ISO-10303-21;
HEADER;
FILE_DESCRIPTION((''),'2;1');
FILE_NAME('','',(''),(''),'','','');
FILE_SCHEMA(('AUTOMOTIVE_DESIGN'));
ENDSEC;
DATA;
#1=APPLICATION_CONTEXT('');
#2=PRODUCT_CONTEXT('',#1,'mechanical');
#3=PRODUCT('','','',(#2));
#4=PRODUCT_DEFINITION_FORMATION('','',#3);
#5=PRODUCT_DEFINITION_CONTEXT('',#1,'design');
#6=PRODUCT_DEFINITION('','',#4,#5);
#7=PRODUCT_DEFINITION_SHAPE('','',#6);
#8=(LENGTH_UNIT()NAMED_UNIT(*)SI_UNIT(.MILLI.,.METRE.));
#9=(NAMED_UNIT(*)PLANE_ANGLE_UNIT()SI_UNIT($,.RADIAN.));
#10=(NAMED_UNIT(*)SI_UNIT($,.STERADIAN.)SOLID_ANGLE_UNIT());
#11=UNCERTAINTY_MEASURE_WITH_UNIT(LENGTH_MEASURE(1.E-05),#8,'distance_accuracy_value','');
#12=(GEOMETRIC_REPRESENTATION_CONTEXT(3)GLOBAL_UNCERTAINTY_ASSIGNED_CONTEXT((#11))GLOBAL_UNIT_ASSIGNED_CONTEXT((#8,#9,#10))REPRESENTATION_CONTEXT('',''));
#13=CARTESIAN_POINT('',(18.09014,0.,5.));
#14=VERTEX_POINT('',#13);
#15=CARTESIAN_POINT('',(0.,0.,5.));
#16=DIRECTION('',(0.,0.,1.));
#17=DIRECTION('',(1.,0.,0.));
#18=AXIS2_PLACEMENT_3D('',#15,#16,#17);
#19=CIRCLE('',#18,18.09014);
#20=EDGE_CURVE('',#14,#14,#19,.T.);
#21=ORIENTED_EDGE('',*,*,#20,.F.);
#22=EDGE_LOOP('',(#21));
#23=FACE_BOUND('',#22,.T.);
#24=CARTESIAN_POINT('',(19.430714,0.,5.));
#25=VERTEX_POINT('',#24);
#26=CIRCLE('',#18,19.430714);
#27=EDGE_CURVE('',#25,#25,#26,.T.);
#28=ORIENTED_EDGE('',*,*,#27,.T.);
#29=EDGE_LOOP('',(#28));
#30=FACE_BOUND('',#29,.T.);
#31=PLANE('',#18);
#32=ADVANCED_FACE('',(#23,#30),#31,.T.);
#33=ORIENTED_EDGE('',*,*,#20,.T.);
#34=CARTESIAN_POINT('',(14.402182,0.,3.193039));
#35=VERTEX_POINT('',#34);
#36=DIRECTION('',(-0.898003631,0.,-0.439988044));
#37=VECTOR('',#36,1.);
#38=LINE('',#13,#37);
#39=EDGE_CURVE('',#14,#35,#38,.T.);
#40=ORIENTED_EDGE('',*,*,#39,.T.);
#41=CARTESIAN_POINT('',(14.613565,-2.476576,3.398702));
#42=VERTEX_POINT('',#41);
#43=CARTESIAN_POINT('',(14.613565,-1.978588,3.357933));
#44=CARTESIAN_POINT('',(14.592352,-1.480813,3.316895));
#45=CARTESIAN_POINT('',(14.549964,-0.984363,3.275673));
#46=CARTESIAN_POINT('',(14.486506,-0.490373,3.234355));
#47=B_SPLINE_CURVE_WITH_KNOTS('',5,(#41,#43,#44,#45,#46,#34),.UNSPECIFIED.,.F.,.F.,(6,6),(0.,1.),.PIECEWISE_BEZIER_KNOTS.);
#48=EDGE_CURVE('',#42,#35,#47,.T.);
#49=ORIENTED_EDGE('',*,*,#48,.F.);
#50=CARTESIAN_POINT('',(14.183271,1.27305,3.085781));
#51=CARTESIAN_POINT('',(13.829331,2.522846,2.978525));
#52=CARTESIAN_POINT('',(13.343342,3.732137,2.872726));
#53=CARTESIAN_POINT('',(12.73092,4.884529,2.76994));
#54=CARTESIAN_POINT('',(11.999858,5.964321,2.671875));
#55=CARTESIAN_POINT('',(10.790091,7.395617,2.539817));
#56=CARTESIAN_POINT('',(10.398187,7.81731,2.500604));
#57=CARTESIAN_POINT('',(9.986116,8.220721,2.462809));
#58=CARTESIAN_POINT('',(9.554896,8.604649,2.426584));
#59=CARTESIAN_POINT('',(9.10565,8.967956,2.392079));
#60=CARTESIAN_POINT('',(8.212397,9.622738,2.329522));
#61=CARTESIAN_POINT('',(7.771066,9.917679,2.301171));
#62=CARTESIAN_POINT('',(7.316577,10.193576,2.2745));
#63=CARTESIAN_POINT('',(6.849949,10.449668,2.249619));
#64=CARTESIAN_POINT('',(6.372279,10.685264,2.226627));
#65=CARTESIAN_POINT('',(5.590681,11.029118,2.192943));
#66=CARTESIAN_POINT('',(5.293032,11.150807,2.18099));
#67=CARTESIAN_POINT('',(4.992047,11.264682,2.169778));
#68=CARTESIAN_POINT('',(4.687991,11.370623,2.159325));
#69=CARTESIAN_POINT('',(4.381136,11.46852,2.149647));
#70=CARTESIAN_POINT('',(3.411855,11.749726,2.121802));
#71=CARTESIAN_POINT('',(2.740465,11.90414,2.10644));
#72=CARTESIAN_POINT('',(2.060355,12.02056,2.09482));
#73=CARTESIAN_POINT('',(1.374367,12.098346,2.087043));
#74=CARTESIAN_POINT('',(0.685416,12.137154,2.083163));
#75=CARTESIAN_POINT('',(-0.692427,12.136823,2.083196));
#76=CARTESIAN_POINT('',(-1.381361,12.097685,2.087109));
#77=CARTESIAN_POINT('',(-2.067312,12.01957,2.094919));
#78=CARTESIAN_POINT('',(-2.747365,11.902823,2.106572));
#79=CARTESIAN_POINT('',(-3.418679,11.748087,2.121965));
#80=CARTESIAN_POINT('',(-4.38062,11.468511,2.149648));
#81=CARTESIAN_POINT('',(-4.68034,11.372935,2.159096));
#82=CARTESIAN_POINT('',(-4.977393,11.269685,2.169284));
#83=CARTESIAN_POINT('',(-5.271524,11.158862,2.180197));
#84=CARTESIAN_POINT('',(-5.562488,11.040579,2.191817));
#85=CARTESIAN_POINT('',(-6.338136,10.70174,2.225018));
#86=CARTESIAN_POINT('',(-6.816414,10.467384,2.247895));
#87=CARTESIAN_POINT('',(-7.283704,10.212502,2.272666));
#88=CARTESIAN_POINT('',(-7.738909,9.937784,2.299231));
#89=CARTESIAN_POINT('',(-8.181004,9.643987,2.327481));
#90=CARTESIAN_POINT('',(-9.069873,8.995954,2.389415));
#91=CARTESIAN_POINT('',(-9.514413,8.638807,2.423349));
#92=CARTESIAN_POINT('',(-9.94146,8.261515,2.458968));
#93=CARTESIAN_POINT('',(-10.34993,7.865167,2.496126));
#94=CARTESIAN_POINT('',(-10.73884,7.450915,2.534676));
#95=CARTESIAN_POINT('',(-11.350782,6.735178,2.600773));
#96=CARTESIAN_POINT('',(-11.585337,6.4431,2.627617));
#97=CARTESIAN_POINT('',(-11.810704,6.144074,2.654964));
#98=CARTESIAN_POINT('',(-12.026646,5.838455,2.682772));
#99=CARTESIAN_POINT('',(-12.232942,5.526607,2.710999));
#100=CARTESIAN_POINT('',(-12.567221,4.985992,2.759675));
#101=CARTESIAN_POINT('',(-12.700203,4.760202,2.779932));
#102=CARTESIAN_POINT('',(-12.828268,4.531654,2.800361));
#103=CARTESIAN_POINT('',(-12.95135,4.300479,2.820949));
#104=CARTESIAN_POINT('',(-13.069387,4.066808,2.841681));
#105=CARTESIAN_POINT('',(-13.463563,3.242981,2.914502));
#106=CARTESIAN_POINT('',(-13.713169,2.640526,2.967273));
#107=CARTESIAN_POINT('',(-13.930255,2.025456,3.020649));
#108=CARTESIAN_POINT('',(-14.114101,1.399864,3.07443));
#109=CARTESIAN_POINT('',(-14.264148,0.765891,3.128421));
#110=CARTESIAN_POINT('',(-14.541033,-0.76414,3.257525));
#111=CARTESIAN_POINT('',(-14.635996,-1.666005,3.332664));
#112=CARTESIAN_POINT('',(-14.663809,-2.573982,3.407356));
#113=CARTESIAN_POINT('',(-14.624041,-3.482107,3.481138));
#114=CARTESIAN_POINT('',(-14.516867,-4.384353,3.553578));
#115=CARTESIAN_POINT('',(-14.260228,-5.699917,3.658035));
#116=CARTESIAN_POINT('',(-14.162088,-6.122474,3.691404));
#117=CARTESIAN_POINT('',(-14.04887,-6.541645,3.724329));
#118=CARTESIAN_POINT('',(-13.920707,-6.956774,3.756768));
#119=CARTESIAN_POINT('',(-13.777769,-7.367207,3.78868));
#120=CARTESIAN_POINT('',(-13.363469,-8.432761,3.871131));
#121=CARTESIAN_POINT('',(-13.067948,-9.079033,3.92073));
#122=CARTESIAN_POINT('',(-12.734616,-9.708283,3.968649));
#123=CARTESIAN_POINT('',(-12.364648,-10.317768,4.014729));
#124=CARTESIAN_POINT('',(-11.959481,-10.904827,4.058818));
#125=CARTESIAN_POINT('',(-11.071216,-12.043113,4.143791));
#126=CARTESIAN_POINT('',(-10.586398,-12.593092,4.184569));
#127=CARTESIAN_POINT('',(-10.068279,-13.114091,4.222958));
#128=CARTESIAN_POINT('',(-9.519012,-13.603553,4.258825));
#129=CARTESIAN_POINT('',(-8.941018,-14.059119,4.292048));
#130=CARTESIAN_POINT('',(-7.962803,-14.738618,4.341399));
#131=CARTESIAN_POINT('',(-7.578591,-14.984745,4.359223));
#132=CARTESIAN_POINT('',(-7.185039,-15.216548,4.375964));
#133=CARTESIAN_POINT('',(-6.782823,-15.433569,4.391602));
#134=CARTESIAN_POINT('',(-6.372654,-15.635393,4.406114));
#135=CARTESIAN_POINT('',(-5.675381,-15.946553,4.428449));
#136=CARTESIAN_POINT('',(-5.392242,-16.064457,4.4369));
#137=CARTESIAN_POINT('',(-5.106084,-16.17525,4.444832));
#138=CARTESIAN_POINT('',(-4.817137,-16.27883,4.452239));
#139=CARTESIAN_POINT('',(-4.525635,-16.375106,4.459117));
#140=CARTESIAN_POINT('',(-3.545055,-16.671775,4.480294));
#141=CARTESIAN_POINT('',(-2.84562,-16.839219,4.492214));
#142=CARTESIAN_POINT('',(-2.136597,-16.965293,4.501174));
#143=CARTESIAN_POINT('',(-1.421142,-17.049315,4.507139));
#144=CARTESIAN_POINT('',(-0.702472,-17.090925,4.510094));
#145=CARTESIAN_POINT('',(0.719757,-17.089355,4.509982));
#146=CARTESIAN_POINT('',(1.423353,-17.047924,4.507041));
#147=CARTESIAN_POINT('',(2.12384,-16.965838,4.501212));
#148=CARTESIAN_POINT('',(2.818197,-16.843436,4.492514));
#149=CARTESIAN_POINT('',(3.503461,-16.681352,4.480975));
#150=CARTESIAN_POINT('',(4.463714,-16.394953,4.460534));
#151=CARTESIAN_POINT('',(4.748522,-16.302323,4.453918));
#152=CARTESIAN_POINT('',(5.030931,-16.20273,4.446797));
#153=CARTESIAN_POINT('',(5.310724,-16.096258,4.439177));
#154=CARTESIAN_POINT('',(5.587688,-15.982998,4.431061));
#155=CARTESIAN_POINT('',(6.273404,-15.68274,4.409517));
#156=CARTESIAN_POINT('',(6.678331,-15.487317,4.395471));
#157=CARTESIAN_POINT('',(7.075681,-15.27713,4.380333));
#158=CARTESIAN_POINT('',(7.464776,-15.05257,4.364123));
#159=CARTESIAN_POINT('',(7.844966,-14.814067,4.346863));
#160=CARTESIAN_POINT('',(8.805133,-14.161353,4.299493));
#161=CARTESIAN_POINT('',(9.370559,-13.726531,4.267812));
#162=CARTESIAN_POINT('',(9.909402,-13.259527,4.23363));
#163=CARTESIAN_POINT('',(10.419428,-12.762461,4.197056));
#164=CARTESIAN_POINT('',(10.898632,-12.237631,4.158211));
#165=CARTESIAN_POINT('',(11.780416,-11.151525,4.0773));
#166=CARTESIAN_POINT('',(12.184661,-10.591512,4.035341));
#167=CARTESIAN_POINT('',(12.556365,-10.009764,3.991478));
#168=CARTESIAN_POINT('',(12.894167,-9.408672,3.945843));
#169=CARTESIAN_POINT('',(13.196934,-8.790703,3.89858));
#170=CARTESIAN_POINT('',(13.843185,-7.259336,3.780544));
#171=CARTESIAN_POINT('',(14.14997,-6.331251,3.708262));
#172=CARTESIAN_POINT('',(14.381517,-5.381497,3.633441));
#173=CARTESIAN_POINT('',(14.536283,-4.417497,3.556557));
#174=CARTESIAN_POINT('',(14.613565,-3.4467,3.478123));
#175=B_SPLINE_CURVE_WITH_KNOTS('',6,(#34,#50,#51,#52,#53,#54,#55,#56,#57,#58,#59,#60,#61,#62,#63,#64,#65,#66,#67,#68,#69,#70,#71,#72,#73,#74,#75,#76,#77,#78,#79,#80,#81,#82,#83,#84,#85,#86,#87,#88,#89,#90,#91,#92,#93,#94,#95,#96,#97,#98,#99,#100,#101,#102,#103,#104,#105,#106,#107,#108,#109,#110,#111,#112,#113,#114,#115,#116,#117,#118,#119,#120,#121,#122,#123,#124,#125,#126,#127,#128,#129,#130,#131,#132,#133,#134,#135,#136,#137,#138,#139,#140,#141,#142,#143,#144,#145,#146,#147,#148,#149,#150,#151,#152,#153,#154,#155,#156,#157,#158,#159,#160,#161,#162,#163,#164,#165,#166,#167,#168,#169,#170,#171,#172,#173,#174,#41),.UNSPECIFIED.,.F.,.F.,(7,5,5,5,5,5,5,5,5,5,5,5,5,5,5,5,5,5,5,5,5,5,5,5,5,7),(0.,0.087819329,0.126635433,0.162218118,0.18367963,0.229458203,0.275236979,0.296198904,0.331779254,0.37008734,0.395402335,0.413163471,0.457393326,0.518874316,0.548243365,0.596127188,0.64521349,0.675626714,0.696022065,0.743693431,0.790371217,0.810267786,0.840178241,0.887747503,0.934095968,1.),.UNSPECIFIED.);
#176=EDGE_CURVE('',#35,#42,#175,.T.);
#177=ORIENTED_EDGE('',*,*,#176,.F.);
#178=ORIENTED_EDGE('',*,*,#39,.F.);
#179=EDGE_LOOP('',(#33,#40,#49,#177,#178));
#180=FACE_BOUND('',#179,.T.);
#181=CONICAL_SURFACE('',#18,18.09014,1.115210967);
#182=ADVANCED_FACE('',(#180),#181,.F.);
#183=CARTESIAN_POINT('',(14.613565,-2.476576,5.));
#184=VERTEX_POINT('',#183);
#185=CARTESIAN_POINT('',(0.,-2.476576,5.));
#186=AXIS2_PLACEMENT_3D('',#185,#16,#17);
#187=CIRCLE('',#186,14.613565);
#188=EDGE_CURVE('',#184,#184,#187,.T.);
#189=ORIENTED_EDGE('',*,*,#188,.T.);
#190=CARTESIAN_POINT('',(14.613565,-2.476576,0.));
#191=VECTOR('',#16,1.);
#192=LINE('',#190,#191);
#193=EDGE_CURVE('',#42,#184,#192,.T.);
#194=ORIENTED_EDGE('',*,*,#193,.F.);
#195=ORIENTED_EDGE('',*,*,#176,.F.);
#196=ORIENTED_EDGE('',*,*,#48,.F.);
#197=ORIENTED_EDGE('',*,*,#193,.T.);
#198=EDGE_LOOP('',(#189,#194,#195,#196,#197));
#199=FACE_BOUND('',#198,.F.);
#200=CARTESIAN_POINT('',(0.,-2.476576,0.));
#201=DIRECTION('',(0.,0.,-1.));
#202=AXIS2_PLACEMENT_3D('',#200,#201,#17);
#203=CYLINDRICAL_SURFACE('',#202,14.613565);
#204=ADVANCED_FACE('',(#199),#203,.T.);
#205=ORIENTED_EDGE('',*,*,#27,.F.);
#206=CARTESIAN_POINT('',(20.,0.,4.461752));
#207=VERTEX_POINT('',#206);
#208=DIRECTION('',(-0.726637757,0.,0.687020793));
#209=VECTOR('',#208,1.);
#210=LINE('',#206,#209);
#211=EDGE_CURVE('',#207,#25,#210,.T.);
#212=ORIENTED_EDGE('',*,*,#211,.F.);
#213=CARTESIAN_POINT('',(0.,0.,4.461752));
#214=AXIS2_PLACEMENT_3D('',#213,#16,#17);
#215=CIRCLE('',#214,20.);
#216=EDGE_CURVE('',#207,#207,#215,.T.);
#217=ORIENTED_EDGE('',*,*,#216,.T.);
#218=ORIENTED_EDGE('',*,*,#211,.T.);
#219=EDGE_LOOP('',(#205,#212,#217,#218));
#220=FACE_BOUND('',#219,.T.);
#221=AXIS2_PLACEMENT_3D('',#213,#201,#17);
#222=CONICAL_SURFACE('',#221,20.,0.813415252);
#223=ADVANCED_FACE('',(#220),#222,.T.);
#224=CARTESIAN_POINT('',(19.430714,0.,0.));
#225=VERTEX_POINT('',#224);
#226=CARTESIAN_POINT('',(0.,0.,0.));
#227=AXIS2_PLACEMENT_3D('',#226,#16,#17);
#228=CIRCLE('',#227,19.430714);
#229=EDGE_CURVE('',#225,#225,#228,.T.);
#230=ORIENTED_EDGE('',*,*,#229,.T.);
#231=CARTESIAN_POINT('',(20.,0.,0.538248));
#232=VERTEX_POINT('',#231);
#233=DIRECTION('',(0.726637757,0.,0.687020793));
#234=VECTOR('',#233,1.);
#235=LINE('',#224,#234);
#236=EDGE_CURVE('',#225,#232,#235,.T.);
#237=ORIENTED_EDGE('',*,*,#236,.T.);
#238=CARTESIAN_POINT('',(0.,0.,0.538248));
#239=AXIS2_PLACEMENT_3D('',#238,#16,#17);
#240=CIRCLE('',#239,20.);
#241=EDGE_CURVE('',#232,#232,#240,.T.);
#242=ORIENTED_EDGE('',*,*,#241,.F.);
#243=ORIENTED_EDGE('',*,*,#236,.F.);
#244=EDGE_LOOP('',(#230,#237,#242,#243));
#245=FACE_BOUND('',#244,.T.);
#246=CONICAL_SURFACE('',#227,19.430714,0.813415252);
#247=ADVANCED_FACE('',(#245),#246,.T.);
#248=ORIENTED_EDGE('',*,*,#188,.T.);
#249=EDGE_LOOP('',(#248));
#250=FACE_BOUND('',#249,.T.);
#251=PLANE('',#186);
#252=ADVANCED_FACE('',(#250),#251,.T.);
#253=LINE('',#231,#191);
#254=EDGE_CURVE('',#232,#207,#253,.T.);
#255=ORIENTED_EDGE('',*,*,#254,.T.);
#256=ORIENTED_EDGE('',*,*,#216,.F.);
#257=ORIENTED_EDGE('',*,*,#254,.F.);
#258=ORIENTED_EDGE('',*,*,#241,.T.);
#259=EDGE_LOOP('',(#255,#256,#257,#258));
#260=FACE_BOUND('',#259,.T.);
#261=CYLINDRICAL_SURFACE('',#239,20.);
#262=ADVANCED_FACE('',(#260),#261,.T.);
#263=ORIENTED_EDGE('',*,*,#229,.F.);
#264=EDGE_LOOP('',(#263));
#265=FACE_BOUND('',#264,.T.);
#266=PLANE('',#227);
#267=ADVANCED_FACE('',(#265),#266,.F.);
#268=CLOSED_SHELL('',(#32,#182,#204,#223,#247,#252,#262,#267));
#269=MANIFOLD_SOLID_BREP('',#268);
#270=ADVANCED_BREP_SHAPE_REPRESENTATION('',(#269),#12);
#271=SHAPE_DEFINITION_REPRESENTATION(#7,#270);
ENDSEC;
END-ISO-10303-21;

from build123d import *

# Parameters (mm, degrees)
F0_R     = 20
F0_R_2   = 1.5
F1_DEPTH = 5
F4_R     = 14.613565
F5_DEPTH = 5


with BuildPart() as f1:
    # F0 (on Top) → F1 (new body)
    with BuildSketch(Plane.XY):
        Circle(F0_R)
        Circle(F0_R_2, mode=Mode.SUBTRACT)
    extrude(amount=F1_DEPTH)

    # F2 (on Front) → F3 (revolve, intersect)
    with BuildSketch(Plane.XZ):
        Polygon((20, 0.538248), (20, 4.461752), (19.430714, 5), (18.09014, 5), (7.885276, 0), (19.430714, 0), align=None)
    revolve(axis=Axis((0, 0, 2.5), (0, 0, 1)), mode=Mode.INTERSECT)

    # F4 (on Top) → F5 (join, through all)
    with BuildSketch(Plane.XY):
        with Locations((0, -2.476576)):
            Circle(F4_R)
    extrude(amount=F5_DEPTH)


solid = f1.part
